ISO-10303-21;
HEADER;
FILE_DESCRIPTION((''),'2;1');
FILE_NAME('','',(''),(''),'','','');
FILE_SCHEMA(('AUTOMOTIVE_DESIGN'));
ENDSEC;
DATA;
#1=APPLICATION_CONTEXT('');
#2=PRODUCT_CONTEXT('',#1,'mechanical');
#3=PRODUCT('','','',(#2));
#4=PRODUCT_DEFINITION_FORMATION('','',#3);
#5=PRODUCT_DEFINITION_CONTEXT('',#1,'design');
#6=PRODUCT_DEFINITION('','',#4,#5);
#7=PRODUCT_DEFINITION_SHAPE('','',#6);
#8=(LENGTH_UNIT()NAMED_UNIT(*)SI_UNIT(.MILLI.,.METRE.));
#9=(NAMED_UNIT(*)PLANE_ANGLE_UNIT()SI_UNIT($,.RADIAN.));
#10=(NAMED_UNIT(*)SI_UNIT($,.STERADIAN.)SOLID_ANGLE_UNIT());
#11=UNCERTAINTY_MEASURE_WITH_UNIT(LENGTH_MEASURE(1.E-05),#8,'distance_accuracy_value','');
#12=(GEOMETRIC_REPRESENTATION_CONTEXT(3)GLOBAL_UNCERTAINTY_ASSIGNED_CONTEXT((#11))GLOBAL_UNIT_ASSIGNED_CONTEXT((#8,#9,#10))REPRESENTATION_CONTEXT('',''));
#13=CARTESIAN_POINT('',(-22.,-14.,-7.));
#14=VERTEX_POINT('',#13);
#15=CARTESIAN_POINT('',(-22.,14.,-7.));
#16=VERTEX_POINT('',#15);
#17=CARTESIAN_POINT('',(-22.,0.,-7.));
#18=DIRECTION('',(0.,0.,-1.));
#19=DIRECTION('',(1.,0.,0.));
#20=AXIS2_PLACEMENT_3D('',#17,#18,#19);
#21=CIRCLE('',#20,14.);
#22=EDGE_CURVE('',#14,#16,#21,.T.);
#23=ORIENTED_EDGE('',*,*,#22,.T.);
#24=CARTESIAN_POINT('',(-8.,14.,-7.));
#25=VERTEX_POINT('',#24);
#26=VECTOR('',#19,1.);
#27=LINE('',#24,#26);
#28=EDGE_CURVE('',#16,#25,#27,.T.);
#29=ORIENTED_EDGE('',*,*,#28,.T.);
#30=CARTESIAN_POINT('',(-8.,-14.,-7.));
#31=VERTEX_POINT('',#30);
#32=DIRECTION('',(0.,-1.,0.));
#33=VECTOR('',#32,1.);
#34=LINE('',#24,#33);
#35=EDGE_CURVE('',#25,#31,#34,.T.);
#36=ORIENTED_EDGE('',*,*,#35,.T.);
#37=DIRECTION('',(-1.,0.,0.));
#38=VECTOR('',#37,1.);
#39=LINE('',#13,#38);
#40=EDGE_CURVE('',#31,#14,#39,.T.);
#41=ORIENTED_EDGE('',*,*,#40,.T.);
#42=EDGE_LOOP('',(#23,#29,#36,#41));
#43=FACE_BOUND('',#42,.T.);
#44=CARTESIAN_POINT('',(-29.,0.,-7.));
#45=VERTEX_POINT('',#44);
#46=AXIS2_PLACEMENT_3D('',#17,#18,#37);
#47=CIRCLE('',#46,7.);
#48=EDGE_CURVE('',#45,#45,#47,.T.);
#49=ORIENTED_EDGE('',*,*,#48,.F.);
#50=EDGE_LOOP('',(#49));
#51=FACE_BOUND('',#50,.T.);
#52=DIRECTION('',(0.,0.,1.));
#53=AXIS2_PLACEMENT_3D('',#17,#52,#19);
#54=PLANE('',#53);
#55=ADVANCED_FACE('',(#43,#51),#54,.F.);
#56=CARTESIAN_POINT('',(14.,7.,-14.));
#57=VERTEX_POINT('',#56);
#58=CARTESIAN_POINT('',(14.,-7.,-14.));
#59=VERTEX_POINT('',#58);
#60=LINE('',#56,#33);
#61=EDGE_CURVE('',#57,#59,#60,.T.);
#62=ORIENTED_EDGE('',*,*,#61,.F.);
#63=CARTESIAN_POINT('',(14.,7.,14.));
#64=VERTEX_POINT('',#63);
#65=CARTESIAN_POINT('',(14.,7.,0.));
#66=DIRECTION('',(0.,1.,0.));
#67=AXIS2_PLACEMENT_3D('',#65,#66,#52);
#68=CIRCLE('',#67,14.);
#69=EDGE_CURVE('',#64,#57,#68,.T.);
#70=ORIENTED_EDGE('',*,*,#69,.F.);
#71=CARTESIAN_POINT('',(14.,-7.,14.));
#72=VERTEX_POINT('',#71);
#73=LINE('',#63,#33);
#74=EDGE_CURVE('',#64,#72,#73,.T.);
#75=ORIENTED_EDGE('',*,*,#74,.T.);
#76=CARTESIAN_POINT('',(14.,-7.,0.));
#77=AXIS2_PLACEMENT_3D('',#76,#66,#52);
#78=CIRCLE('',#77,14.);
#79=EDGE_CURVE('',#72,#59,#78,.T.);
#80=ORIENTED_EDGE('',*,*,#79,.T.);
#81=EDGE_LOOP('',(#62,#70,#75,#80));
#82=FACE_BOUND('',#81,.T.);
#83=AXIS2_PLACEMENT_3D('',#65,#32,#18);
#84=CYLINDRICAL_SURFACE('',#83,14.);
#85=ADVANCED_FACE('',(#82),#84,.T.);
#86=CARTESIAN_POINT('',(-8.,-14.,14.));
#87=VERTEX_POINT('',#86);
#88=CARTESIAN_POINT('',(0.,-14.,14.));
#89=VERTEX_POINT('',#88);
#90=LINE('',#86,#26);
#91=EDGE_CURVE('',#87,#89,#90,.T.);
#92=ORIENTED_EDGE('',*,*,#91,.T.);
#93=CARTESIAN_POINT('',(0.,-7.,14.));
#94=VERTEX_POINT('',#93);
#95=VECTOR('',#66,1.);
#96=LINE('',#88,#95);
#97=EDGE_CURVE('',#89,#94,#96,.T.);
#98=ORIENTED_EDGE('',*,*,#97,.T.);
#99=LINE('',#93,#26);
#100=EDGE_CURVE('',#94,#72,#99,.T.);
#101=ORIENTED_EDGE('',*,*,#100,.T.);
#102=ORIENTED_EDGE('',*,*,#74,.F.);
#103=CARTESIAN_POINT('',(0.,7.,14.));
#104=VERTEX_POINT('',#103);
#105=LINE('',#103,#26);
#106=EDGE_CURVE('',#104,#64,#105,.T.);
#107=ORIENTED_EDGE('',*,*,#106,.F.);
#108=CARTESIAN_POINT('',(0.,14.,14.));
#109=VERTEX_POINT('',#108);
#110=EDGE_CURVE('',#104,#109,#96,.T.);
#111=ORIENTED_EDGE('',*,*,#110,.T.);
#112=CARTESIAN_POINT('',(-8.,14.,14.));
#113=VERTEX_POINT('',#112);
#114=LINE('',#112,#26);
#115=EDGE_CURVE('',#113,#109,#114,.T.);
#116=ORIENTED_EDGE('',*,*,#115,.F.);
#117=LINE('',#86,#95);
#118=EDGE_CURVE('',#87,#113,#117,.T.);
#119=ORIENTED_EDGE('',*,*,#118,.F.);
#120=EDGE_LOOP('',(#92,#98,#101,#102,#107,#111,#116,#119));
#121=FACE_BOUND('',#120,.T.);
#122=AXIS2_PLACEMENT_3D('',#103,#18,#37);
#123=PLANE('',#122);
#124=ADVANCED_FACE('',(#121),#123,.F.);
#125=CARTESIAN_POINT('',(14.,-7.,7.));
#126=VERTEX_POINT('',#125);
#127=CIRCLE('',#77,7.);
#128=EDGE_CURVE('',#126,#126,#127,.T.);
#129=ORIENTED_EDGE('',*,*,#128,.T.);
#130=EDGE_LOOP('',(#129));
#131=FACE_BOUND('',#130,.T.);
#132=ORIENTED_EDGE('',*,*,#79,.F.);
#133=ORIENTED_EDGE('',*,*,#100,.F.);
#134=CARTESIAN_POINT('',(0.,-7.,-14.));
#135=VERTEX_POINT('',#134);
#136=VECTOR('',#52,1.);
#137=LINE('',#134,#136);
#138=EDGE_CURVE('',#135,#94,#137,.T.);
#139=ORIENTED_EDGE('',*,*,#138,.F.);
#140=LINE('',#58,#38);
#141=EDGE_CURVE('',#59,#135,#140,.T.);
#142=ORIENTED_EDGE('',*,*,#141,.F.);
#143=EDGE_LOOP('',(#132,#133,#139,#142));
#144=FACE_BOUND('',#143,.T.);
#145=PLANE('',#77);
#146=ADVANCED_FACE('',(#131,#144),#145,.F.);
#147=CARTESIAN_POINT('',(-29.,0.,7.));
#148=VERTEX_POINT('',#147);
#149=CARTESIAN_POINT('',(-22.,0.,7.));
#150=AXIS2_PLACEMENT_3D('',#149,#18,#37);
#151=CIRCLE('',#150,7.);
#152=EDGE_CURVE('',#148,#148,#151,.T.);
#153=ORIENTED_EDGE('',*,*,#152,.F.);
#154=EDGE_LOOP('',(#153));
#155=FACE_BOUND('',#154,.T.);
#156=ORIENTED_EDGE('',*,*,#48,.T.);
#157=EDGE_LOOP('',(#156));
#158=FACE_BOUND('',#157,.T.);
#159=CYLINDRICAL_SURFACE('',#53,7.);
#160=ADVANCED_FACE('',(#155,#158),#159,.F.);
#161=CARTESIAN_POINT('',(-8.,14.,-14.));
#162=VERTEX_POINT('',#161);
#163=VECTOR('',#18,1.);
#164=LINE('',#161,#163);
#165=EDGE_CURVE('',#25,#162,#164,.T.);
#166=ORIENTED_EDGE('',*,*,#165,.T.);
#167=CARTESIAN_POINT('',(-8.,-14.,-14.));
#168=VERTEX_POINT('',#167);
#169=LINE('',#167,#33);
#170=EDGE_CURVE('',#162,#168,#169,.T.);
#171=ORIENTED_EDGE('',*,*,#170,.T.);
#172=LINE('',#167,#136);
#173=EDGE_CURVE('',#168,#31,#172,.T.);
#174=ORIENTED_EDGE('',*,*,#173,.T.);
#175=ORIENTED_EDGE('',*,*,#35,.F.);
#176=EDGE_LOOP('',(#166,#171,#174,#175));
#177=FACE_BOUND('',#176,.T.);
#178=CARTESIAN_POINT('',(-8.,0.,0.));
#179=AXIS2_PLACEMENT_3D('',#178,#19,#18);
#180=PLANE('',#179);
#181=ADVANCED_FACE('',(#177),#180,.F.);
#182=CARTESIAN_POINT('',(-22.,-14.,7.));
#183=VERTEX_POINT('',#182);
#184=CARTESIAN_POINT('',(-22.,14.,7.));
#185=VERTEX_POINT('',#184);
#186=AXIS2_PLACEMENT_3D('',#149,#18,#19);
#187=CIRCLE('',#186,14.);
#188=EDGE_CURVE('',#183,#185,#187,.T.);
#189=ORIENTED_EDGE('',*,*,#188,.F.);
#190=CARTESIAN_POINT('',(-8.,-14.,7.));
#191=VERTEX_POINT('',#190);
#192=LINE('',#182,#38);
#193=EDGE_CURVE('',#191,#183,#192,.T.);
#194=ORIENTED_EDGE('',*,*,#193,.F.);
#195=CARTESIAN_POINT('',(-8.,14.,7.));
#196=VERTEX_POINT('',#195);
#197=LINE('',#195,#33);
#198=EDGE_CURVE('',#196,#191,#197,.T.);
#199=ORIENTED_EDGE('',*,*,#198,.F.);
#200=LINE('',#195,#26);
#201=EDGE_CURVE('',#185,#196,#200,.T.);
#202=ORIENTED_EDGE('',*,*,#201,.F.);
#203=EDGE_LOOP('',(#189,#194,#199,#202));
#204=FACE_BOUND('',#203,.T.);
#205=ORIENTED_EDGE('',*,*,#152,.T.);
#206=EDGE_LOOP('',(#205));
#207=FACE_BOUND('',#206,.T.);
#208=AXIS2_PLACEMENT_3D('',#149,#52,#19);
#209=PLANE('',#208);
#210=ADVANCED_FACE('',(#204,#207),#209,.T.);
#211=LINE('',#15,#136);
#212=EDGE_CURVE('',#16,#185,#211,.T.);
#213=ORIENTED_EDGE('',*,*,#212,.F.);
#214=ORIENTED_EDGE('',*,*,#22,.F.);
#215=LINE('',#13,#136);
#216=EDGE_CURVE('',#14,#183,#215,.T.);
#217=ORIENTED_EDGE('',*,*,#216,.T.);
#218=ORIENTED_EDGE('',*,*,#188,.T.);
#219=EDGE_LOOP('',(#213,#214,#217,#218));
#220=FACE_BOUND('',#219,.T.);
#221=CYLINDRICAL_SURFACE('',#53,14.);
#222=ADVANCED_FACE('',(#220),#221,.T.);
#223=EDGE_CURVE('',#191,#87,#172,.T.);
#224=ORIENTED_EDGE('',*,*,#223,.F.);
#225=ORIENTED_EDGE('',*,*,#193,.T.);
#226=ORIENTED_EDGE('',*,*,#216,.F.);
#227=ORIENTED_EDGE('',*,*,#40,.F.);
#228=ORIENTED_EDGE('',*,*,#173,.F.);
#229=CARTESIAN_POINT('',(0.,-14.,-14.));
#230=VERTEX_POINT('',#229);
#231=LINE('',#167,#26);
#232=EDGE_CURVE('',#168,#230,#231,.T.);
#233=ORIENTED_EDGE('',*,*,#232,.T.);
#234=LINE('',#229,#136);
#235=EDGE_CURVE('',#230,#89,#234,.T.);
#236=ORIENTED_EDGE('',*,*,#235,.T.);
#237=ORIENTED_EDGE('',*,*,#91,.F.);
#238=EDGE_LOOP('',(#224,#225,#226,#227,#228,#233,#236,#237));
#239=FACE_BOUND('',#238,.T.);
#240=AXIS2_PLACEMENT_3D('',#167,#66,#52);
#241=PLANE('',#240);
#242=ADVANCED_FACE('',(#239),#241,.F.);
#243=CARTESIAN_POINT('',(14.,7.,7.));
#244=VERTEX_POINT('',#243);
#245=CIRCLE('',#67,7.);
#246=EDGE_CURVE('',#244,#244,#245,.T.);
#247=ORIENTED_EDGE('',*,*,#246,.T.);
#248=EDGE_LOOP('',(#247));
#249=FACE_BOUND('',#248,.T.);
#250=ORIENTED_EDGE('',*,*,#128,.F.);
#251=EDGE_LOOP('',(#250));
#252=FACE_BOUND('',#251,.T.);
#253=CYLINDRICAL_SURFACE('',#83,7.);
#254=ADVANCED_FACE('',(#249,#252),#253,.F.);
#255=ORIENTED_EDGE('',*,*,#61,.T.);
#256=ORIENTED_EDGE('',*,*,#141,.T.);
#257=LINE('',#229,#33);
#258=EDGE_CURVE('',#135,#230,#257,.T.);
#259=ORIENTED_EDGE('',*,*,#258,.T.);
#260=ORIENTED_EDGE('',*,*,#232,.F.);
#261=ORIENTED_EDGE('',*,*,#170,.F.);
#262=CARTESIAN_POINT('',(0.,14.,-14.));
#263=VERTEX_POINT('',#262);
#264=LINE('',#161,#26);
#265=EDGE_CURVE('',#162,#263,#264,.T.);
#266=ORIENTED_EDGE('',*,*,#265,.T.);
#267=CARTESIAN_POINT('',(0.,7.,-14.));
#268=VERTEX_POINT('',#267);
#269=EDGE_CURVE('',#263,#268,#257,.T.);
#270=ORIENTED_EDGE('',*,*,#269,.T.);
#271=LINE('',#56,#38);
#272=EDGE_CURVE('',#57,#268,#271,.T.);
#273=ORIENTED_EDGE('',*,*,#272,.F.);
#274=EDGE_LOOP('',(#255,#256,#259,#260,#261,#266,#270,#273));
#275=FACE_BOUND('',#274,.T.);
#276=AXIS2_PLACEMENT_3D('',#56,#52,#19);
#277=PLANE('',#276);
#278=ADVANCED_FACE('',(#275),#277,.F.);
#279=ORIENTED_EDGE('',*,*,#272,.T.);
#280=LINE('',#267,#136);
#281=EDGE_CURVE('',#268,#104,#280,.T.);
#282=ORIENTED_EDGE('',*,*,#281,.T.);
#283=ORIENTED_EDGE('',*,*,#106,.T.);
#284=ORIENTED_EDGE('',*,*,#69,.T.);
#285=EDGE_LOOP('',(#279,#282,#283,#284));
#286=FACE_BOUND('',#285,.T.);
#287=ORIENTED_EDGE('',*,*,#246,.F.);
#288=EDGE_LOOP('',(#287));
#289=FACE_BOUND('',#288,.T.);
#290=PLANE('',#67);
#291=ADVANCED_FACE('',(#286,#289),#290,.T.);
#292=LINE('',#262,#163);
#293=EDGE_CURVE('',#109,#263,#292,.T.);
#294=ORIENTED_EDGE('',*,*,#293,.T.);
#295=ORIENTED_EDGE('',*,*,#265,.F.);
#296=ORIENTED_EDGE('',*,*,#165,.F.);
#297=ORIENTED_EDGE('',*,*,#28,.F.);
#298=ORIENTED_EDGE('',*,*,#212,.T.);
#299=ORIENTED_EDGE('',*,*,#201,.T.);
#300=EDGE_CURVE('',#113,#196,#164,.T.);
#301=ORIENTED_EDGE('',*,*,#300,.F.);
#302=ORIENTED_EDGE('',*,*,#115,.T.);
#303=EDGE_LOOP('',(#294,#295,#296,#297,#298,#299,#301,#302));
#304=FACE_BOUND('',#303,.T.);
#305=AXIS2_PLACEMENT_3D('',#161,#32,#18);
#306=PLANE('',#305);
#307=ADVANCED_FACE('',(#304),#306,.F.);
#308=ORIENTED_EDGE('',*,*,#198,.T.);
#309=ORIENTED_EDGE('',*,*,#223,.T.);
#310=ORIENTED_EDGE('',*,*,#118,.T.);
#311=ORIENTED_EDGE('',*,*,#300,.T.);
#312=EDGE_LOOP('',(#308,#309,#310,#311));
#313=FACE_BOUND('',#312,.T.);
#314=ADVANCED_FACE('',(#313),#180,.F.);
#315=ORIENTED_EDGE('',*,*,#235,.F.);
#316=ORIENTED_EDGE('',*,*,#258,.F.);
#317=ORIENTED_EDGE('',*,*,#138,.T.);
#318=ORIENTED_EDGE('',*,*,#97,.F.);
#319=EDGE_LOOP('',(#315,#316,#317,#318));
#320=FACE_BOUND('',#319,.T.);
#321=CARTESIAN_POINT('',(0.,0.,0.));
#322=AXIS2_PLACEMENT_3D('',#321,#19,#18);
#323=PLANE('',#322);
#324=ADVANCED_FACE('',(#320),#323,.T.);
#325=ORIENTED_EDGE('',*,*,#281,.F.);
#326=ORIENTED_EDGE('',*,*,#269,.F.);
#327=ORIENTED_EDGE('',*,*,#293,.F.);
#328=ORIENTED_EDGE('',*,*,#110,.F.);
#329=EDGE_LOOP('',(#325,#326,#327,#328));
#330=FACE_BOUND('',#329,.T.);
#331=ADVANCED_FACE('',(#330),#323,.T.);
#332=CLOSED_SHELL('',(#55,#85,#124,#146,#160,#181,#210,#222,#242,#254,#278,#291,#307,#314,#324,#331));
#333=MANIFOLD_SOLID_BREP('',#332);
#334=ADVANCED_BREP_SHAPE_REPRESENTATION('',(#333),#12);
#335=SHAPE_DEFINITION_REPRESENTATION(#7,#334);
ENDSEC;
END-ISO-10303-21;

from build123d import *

# Parameters (mm, degrees)
SKETCH1_R           = 7
BOSS_EXTRUDE1_DEPTH = 7
SKETCH2_W           = 28
SKETCH2_H           = 28
BOSS_EXTRUDE2_DEPTH = 8
SKETCH3_R           = 7
BOSS_EXTRUDE3_DEPTH = 7


with BuildPart() as part:
    # Sketch1 → Boss-Extrude1 (new body, symmetric)
    with BuildSketch(Plane(origin=(0, 0, 0), x_dir=(1, 0, 0), z_dir=(0, 1, 0))):
        with BuildLine():
            Line((0, 14), (0, -14))
            Line((0, -14), (14, -14))
            ThreePointArc((14, -14), (28, 0), (14, 14))
            Line((14, 14), (0, 14))
        make_face()
        with Locations((14, 0)):
            Circle(SKETCH1_R, mode=Mode.SUBTRACT)
    extrude(amount=BOSS_EXTRUDE1_DEPTH, both=True)

    # Sketch2 → Boss-Extrude2 (add)
    with BuildSketch(Plane.ZY):
        Rectangle(SKETCH2_W, SKETCH2_H)
    extrude(amount=BOSS_EXTRUDE2_DEPTH)

    # Sketch3 → Boss-Extrude3 (add, symmetric)
    with BuildSketch(Plane(origin=(0, 0, 0), x_dir=(-1, 0, 0), z_dir=(0, 0, -1))):
        with BuildLine():
            Line((8, 14), (8, -14))
            Line((8, -14), (22, -14))
            ThreePointArc((22, -14), (36, 0), (22, 14))
            Line((22, 14), (8, 14))
        make_face()
        with Locations((22, 0)):
            Circle(SKETCH3_R, mode=Mode.SUBTRACT)
    extrude(amount=BOSS_EXTRUDE3_DEPTH, both=True)


solid = part.part
